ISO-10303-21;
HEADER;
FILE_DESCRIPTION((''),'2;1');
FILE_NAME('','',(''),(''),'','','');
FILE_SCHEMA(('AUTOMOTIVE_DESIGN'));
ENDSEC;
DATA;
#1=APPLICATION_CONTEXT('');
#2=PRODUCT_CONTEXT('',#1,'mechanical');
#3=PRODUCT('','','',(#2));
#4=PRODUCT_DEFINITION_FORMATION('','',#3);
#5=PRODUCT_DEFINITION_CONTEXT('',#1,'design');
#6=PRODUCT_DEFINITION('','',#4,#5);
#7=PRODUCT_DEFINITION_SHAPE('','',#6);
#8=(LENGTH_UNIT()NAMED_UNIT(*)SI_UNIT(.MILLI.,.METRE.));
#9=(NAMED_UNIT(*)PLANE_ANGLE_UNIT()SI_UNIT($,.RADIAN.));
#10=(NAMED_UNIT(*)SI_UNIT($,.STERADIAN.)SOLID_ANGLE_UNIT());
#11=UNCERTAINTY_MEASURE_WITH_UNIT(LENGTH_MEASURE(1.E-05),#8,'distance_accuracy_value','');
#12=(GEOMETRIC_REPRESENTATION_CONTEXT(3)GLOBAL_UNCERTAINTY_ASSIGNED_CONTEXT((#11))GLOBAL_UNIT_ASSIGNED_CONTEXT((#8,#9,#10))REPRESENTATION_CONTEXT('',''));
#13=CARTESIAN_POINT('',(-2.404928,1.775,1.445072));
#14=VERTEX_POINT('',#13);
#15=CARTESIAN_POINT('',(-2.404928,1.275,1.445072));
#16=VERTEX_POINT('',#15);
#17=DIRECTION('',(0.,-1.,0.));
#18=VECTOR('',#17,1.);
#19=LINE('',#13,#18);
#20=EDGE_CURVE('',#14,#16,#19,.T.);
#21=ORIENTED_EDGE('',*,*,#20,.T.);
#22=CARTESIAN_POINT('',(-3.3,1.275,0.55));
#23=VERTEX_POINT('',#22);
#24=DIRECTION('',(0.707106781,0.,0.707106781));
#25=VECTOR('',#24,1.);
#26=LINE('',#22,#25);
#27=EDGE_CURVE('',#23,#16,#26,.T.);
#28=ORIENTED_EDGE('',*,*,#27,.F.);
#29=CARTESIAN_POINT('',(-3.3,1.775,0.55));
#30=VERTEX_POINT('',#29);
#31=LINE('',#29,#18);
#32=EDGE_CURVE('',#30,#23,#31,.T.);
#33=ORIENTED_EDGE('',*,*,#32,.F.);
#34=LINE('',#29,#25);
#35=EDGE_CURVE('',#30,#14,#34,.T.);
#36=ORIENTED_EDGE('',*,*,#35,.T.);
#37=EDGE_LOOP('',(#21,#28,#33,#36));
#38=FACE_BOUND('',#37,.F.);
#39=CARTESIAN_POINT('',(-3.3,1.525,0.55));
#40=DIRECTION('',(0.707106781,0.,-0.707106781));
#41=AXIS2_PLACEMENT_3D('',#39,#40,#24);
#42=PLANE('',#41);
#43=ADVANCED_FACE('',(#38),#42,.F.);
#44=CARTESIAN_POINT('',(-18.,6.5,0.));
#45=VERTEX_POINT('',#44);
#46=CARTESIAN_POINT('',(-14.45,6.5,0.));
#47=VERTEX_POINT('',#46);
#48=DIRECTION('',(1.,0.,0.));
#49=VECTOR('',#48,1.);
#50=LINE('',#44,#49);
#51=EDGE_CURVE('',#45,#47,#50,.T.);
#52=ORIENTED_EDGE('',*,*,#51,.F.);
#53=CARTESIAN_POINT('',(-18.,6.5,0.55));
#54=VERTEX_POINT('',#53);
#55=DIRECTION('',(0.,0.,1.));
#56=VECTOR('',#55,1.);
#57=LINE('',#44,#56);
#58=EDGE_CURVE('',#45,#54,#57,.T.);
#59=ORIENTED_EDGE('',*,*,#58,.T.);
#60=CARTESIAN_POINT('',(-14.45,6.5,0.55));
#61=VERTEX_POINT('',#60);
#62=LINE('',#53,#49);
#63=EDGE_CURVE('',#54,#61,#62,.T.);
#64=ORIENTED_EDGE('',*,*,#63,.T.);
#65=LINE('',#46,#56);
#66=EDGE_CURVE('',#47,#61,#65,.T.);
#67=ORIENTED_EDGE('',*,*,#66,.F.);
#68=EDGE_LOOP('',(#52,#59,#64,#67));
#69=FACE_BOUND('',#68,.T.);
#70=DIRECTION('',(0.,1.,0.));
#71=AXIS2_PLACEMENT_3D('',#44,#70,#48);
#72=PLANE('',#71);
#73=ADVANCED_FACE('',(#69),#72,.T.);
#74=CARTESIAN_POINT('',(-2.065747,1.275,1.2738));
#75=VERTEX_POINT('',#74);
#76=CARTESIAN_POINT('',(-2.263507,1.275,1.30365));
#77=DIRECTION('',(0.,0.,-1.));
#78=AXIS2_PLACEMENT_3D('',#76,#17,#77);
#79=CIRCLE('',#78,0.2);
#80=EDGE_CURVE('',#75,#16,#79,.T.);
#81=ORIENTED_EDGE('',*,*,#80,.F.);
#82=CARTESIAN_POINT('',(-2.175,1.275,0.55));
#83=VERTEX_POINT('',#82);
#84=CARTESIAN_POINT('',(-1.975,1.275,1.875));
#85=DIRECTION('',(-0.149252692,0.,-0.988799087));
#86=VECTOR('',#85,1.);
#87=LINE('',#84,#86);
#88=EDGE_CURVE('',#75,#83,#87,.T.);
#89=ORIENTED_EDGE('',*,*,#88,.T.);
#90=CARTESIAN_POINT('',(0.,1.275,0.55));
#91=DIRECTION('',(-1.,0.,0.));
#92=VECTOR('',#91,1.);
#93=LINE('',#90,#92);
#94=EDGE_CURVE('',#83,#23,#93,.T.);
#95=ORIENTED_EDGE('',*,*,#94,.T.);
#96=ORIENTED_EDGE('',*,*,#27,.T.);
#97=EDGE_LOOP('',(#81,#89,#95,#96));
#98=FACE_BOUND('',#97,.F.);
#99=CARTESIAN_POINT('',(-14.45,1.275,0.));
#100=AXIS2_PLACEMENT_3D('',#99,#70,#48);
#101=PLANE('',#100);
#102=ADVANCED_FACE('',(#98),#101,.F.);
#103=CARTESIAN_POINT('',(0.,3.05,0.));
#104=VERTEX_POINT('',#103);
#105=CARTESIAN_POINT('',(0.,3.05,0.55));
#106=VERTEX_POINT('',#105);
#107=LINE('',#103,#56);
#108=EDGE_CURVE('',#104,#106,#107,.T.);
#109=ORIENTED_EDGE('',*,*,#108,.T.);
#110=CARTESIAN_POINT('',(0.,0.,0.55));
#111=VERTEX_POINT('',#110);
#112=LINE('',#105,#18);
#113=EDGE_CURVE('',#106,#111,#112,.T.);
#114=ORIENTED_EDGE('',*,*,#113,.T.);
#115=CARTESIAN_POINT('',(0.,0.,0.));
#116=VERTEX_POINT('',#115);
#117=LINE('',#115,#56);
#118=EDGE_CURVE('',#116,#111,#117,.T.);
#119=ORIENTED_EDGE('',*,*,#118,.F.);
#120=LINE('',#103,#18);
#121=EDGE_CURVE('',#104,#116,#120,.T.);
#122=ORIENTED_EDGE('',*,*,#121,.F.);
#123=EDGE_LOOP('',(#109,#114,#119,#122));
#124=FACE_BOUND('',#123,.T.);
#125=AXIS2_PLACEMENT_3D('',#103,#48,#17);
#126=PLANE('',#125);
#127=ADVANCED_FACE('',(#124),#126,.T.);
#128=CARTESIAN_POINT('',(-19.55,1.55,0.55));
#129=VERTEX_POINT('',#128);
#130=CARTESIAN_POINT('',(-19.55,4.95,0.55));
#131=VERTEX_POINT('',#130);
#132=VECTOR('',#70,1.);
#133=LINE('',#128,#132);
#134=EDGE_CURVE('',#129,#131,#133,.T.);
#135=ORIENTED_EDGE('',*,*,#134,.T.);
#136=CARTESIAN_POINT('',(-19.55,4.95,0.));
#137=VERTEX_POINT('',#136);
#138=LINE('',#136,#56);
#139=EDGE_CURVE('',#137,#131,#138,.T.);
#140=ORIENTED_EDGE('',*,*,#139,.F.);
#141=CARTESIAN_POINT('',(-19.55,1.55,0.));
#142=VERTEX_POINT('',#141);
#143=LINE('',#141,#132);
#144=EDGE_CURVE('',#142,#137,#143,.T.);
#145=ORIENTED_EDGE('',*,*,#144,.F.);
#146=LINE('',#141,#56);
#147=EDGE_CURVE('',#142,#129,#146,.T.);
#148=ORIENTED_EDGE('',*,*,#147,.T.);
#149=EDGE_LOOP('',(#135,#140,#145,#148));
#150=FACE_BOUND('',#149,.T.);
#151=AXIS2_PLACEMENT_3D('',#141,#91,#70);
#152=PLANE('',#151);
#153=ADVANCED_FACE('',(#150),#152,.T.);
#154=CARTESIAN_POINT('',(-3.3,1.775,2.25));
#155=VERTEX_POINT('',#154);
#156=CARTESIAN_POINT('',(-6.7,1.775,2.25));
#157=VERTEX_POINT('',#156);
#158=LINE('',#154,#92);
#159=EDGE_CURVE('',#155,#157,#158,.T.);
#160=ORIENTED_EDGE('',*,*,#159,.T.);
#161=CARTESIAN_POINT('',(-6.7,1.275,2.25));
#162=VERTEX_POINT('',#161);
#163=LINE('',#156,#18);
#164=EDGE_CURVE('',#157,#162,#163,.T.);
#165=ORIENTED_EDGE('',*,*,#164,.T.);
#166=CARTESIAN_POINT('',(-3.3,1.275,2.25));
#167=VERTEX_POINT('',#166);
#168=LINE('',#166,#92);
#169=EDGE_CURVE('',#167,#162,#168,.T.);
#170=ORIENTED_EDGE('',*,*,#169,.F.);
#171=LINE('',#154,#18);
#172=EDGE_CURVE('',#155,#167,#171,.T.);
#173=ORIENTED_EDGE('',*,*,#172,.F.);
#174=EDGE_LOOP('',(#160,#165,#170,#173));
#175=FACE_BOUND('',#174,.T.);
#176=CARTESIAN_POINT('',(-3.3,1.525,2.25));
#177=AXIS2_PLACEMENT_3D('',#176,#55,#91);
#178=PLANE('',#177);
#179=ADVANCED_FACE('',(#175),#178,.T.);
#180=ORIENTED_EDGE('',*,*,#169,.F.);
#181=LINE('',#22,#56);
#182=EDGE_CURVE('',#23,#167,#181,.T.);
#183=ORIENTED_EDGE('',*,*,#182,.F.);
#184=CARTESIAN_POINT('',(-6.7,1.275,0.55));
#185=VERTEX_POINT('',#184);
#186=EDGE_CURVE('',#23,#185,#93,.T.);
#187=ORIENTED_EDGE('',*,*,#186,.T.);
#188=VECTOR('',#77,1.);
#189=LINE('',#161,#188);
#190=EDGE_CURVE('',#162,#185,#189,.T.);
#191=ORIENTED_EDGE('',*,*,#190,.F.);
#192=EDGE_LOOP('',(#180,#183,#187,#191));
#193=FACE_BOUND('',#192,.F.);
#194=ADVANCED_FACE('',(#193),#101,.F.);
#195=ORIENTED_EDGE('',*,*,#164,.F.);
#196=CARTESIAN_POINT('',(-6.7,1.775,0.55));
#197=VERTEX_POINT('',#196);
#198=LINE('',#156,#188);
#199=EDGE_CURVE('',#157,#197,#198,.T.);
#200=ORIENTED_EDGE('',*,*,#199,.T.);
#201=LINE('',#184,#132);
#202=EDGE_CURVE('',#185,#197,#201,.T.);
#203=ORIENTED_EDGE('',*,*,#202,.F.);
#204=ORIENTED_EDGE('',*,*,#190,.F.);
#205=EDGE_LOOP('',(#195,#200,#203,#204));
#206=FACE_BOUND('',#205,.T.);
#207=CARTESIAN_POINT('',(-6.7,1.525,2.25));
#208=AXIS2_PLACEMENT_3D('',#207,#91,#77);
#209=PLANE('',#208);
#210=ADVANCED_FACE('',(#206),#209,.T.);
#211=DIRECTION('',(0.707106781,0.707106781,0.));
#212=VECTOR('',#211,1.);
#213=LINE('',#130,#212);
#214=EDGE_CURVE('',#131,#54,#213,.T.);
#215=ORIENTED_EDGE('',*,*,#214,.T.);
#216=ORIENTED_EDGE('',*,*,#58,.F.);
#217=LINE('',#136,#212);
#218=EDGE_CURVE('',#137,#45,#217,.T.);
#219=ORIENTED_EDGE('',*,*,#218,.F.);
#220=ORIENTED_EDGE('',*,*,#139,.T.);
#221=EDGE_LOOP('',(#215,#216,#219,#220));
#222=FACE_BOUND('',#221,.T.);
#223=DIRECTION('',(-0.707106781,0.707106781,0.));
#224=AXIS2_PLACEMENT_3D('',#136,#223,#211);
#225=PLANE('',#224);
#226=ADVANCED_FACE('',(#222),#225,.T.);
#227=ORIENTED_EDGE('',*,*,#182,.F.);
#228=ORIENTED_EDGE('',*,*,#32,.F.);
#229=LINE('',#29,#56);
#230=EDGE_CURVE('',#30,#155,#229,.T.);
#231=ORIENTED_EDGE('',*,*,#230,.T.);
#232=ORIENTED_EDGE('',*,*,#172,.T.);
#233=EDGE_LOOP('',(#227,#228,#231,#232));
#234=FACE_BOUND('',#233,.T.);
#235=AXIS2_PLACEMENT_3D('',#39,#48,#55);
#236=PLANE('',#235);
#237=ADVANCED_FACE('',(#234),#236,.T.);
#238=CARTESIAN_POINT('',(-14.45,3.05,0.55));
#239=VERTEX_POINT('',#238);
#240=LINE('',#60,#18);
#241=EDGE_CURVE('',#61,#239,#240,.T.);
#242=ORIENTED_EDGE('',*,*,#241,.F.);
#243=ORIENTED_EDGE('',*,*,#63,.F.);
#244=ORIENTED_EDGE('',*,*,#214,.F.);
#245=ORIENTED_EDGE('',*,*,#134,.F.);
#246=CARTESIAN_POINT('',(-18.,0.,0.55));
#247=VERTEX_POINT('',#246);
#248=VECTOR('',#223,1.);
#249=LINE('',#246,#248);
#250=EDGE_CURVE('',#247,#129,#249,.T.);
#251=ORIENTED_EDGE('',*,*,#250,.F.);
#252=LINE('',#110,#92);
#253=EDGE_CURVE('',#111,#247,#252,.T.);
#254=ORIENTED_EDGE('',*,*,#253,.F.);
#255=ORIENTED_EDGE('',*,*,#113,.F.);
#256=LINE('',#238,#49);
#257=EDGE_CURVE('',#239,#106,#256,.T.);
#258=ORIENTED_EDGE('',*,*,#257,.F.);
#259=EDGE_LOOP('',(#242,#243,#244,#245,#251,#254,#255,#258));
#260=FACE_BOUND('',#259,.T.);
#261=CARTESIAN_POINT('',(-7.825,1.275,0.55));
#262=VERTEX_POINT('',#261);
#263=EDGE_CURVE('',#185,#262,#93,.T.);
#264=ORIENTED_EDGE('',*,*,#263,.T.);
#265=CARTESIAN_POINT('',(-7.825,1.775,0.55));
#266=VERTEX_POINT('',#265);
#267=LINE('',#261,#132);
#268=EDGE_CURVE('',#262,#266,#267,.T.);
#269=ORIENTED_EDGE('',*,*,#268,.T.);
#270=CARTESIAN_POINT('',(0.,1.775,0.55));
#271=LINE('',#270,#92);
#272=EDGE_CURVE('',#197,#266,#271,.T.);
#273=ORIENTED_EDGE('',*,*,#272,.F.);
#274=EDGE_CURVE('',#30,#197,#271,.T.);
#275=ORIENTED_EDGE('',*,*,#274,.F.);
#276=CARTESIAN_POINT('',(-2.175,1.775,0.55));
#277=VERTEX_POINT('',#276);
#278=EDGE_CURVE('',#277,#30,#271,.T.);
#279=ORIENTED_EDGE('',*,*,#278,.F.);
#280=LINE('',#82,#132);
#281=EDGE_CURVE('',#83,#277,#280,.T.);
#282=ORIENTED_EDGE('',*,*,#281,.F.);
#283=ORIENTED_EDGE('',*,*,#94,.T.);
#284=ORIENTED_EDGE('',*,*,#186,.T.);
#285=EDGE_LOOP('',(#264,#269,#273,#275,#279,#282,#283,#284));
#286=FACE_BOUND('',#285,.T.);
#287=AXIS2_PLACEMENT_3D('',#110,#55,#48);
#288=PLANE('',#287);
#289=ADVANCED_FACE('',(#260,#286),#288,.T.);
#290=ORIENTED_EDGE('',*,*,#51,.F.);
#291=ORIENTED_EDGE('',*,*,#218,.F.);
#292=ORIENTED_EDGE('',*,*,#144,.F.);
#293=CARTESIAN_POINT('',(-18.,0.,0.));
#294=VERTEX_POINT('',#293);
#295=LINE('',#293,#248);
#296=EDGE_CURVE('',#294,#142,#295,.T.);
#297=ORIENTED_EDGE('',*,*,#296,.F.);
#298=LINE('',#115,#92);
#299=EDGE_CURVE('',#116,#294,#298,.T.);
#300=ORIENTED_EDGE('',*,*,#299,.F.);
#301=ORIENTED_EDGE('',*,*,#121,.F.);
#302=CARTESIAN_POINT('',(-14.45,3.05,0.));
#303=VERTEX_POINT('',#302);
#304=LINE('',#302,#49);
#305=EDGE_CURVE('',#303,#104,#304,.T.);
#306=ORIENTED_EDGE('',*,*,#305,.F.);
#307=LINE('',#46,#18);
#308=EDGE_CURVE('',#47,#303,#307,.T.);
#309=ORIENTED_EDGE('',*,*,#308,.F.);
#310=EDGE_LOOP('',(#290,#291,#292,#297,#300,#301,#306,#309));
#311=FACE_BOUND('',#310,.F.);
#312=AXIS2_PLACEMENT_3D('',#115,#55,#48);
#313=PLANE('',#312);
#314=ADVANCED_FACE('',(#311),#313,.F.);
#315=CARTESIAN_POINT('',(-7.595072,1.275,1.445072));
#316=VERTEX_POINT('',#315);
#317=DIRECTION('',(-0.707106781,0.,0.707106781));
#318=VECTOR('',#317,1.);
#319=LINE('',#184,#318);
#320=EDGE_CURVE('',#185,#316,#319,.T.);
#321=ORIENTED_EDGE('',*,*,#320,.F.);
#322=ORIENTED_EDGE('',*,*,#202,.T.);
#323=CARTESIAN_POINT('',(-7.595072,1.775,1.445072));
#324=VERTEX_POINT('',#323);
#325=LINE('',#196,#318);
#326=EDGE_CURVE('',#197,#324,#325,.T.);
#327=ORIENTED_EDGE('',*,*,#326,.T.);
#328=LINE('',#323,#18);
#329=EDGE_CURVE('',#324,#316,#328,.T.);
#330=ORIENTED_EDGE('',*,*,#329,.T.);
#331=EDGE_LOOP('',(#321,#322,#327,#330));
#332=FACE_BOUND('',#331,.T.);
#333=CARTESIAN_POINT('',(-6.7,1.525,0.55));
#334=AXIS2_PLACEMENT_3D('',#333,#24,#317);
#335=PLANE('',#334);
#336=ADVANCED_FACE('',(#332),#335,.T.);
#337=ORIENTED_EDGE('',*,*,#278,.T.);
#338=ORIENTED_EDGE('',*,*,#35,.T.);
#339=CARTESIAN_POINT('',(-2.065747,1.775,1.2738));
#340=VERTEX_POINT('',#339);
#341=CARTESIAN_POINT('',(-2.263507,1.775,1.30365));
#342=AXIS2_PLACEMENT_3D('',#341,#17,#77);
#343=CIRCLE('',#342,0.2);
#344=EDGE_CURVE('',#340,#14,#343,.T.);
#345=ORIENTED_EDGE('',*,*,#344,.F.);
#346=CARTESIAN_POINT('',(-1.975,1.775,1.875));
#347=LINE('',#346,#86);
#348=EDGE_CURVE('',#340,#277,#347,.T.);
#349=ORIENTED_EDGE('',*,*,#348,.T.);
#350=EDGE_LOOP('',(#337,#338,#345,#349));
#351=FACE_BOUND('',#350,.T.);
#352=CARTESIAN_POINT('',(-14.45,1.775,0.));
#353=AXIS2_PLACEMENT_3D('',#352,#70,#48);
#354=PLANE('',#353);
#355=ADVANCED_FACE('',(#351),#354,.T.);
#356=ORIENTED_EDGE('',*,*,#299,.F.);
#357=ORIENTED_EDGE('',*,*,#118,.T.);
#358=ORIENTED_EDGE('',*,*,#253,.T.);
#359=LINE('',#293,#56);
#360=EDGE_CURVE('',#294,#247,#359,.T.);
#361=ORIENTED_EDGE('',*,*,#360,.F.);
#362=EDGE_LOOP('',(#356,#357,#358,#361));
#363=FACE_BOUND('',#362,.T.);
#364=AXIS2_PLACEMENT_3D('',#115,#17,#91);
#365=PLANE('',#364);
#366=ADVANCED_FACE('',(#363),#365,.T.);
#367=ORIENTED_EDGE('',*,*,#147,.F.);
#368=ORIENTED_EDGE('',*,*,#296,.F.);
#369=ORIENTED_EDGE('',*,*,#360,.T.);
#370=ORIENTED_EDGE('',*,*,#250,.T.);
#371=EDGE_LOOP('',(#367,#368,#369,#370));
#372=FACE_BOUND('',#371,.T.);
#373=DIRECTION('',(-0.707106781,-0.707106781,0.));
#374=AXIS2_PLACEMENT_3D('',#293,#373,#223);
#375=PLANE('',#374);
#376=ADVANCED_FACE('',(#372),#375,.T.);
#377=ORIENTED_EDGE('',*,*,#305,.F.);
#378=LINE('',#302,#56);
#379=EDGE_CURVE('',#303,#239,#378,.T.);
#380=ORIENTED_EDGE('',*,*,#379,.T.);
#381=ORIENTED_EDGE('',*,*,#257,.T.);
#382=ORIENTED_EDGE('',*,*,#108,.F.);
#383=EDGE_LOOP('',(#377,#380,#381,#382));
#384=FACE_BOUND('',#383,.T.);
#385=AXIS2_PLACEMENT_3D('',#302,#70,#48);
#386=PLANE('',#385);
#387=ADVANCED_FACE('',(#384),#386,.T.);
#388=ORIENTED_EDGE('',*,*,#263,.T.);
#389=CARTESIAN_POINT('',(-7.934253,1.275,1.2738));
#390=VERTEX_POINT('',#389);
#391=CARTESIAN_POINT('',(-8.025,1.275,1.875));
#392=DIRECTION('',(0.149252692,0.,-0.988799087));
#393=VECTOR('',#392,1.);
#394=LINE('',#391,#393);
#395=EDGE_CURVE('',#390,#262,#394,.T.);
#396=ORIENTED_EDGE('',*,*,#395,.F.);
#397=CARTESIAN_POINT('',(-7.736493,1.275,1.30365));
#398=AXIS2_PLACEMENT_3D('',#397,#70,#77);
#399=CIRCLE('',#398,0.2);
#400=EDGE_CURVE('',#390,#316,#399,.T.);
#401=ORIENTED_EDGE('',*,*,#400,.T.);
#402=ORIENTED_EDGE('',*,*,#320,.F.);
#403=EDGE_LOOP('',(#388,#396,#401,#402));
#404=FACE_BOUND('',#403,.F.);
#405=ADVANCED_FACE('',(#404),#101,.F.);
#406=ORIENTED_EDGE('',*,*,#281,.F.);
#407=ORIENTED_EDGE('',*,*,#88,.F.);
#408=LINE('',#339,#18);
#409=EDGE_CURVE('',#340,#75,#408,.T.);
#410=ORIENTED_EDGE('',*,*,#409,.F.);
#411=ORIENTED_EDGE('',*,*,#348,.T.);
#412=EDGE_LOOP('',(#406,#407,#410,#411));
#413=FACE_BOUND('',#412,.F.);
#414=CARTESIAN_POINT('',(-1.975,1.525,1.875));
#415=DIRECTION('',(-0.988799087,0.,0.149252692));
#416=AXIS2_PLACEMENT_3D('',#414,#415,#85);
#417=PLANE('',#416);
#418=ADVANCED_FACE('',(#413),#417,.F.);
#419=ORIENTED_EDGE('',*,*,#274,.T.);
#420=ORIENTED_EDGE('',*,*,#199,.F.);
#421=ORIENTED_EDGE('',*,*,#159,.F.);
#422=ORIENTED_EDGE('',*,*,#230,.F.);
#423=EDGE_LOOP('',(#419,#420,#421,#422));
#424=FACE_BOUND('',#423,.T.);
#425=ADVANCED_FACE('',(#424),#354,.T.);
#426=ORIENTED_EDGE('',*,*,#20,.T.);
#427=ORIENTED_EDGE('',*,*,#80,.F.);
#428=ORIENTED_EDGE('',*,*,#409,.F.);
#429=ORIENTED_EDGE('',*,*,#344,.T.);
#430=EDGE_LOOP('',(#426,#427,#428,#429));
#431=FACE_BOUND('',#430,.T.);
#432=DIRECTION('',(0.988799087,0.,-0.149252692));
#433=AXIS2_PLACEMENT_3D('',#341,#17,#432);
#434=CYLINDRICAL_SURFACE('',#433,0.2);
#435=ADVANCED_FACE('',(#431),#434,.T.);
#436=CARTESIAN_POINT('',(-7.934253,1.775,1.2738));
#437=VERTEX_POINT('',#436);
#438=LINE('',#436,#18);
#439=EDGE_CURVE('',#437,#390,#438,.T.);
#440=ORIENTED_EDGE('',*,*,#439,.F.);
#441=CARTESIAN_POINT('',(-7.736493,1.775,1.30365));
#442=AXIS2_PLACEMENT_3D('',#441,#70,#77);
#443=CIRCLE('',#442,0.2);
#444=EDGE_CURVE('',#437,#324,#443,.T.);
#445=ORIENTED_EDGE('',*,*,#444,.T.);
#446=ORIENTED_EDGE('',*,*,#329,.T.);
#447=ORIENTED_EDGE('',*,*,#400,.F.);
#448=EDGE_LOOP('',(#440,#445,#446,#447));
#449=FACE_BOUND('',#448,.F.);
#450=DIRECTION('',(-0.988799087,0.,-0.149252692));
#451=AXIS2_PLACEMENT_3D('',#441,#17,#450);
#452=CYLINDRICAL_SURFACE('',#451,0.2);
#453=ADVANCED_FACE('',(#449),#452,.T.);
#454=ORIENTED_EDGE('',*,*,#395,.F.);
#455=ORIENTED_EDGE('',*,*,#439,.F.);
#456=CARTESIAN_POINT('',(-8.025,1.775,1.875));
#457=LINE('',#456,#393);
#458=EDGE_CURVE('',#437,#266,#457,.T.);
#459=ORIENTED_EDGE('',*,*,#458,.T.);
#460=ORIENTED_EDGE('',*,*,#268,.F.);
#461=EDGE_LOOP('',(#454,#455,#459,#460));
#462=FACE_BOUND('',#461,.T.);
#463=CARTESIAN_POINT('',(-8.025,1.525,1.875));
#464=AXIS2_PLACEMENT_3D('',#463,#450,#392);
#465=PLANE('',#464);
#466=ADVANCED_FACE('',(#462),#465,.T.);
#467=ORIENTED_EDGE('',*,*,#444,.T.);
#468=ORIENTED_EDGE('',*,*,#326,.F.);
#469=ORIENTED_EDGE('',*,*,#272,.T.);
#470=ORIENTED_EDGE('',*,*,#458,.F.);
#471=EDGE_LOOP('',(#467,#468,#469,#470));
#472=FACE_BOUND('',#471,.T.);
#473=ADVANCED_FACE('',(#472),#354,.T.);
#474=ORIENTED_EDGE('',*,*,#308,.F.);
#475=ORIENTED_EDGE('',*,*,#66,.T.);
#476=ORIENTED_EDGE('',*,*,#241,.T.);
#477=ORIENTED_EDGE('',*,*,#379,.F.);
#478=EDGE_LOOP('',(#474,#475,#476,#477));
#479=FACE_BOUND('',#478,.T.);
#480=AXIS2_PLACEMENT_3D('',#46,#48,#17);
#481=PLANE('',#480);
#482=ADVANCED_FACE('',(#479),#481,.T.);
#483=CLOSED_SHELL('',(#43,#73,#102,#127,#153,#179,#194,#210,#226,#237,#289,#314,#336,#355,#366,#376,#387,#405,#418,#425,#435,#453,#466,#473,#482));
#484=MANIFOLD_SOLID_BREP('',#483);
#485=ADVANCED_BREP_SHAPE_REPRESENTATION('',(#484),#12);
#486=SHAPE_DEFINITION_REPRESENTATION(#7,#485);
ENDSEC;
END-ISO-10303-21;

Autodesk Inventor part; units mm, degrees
ref_plane "YZ Plane" through (0, 0, 0) normal (1, 0, 0) x (0, 1, 0)
ref_plane "XZ Plane" through (0, 0, 0) normal (0, 1, 0) x (-1, 0, 0)
ref_plane "XY Plane" through (0, 0, 0) normal (0, 0, 1) x (1, 0, 0)
sketch "Sketch1" plane through (0, 0, 0) normal (0, 0, 1) x (1, 0, 0)
  line L0 (0, 0) -> (-18, 0)
  line L1 (-18, 0) -> (-19.55, 1.55)
  line L2 (-19.55, 1.55) -> (-19.55, 4.95)
  line L3 (-19.55, 4.95) -> (-18, 6.5)
  line L4 (-18, 6.5) -> (-14.45, 6.5)
  line L5 (-14.45, 6.5) -> (-14.45, 3.05)
  line L6 (-14.45, 3.05) -> (0, 3.05)
  line L7 (0, 3.05) -> (0, 0)
  point P0 (-19.55, 3.25)
  dimension "d0" = 3.05
  dimension "d1" = 14.45
  dimension "d2" = 6.5
  dimension "d3" = 5.1
  dimension "d4" = 3.4
  dimension "d5" = 3.25
  dimension "d6" = 3.55
extrude "Extrusion1" add sketch "Sketch1" along normal blind 0.55
ref_plane "Work Plane1" through (-14.45, 1.525, 0) normal (0, 1, 0) x (1, 0, 0)
sketch "Sketch2" plane through (-14.45, 1.525, 0) normal (0, 1, 0) x (1, 0, 0)
  line L0 (14.45, -0.55) -> (0, -0.55) projected
  line L1 (14.45, 0) -> (14.45, -0.55) projected
  line L2 (7.75, -0.55) -> (11.15, -0.55)
  line L3 (11.15, -0.55) -> (11.15, -2.25)
  line L4 (11.15, -2.25) -> (7.75, -2.25)
  line L5 (7.75, -2.25) -> (7.75, -0.55)
  line L6 (11.15, -0.55) -> (12.475, -1.875)
  line L7 (12.475, -1.875) -> (12.275, -0.55)
  line L8 (7.75, -0.55) -> (6.425, -1.875)
  line L9 (6.425, -1.875) -> (6.625, -0.55)
  line L10 (6.625, -0.55) -> (7.75, -0.55)
  line L11 (11.15, -0.55) -> (12.275, -0.55)
  point P0 (9.45, -2.25)
  dimension "d9" = 3.3
  dimension "d10" = 3.4
  dimension "d11" = 1.7
  dimension "d14" = 6.05
  dimension "d15" = 3.025
  dimension "d16" = 5.65
extrude "Extrusion2" add sketch "Sketch2" along normal mid plane 0.5
fillet "Fillet1" radius 0.2 2 edges at (-8.025, 1.525, 1.875) (-1.975, 1.525, 1.875)
equation "\"d5\" = 0.5 * d2"
equation "\"d15\" = 0.5 * d14"
properties part number "Soanar Power Module Pin E" material "Nickel-Copper Alloy 400"
